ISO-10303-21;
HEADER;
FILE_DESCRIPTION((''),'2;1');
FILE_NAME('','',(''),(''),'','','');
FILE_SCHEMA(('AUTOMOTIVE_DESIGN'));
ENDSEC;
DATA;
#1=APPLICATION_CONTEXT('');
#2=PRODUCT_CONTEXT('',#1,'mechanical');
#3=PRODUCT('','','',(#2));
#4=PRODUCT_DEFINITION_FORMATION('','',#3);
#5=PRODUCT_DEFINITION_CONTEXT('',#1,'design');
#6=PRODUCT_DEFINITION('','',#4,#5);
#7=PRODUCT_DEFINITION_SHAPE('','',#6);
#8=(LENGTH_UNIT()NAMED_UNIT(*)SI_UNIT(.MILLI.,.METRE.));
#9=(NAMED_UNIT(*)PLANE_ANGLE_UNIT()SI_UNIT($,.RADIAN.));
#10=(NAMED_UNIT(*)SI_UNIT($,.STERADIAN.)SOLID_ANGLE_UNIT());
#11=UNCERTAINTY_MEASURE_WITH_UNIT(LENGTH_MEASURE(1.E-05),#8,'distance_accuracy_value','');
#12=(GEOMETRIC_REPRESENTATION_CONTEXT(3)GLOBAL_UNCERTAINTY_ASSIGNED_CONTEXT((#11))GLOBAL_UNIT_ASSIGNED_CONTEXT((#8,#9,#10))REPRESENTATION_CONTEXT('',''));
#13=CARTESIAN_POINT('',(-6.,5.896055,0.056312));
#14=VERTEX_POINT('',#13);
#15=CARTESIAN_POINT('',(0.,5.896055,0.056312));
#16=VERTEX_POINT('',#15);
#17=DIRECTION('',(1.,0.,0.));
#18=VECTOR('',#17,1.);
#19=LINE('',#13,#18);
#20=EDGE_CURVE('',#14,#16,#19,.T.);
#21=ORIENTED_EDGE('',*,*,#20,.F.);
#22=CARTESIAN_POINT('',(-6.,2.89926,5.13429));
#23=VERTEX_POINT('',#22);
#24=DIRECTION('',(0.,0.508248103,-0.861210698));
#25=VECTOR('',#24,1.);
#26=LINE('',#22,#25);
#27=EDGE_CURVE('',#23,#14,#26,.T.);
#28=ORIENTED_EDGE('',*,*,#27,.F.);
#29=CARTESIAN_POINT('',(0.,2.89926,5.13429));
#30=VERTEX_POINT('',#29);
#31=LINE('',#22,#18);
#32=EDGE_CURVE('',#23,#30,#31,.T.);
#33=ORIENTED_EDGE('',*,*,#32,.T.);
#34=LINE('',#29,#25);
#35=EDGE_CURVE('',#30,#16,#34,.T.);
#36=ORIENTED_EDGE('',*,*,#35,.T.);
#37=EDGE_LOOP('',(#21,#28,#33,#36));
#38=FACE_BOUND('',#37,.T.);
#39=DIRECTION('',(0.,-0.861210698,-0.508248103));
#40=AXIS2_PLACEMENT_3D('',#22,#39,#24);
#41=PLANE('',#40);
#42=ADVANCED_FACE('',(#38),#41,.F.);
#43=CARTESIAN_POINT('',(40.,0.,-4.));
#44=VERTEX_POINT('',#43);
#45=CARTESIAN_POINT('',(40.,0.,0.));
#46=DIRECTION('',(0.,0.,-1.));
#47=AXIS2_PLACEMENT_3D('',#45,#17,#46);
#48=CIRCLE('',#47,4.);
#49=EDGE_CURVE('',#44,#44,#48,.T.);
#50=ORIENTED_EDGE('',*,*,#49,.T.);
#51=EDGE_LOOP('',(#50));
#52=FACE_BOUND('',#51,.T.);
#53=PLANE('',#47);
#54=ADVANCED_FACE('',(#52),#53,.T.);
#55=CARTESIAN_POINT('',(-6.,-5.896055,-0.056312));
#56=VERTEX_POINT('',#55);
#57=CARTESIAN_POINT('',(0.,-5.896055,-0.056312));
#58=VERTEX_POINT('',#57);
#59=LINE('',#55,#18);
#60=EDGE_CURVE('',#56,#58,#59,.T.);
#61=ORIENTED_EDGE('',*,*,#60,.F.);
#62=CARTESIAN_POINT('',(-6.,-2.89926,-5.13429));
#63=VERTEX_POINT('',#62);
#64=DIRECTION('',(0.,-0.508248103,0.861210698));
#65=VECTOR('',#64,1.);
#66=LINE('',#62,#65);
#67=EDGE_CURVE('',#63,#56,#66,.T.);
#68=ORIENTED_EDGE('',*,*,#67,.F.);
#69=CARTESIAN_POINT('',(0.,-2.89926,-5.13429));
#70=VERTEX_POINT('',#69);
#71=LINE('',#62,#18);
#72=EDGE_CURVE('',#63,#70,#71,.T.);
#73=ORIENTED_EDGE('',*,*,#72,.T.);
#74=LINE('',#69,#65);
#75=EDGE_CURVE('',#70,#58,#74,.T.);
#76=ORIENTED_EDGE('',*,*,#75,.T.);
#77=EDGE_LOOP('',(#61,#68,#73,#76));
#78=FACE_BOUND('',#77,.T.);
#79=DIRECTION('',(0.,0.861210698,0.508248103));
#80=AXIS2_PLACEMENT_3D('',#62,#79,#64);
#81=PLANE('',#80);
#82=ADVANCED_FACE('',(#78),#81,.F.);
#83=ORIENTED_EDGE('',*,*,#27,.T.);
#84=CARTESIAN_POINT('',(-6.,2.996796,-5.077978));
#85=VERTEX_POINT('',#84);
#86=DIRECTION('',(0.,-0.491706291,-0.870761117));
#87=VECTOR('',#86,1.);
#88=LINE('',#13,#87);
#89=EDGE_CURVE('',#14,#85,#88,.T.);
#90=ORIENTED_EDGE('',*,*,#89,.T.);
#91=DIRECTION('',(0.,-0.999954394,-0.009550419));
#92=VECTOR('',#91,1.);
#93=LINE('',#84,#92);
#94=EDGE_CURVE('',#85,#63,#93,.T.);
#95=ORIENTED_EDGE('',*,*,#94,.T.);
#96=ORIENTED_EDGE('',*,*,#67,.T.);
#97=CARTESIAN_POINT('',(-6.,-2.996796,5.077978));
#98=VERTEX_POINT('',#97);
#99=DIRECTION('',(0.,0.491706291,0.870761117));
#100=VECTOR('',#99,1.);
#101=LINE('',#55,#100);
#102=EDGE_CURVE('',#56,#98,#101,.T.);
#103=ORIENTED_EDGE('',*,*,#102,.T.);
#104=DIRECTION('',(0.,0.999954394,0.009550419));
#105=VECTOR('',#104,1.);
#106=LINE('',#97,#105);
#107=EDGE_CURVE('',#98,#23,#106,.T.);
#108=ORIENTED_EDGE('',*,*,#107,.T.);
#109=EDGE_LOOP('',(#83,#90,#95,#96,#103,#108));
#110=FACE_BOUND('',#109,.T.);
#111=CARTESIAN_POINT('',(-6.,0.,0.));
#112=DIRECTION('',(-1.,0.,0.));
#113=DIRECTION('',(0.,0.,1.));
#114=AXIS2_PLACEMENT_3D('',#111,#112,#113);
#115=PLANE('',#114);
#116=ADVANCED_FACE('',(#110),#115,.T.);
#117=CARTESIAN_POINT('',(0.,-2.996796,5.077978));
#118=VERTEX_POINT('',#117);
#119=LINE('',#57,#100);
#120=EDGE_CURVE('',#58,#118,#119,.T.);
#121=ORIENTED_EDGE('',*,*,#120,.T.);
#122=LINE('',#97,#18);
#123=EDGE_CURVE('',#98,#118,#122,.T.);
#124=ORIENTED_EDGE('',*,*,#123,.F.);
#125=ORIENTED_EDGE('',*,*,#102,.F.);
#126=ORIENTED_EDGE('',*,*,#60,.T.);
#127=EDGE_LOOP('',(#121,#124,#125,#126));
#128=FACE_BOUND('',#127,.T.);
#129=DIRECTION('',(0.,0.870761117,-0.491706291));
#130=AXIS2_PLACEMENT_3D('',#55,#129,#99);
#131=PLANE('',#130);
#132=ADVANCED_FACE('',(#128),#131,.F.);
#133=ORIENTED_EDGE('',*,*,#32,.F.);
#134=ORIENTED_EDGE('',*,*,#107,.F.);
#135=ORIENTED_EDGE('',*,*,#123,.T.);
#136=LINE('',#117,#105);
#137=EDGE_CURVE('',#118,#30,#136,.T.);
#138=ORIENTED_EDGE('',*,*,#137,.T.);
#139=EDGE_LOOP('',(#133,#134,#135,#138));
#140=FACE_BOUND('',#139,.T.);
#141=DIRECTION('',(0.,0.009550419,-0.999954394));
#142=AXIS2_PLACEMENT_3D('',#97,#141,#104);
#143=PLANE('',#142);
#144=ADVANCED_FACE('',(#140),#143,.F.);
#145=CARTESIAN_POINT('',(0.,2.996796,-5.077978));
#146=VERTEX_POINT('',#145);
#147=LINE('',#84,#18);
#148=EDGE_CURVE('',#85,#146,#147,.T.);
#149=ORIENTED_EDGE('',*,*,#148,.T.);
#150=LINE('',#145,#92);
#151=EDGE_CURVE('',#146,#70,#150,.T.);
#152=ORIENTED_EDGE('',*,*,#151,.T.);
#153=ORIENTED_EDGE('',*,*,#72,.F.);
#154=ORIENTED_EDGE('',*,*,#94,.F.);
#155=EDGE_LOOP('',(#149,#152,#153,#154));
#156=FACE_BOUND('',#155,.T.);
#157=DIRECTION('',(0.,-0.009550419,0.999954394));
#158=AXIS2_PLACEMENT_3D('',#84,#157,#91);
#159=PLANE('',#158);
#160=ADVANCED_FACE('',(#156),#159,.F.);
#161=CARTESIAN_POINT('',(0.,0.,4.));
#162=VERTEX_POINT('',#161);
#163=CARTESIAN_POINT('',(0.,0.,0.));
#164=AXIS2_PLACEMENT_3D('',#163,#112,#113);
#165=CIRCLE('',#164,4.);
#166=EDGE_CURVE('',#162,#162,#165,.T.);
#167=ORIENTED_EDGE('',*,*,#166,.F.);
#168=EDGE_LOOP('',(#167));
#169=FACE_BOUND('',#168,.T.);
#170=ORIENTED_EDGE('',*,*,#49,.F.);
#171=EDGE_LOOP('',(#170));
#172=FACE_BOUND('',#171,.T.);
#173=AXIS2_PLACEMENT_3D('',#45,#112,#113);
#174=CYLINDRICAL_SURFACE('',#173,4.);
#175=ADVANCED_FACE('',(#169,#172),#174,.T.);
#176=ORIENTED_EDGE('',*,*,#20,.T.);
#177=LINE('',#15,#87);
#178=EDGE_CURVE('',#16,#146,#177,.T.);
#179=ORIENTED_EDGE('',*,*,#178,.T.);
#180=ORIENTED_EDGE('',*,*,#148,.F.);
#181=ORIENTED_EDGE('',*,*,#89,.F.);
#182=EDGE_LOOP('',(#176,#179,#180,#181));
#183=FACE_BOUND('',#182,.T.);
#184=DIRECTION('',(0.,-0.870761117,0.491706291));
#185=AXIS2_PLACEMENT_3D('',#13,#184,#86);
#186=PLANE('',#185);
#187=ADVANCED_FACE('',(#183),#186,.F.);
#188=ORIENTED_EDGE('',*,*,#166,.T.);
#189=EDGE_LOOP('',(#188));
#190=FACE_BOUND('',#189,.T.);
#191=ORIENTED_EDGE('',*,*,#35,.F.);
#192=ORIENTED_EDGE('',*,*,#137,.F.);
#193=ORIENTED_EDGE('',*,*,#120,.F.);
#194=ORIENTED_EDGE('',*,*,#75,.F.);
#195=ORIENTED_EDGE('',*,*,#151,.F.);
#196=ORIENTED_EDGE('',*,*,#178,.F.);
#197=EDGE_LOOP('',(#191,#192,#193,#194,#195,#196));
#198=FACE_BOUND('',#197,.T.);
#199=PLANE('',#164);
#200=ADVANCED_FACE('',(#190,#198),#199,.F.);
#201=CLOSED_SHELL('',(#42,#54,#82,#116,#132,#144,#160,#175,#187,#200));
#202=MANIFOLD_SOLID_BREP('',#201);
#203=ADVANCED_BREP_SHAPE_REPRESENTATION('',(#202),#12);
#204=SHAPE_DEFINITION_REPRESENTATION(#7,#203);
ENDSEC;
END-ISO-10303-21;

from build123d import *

# Parameters (mm, degrees)
SKETCH_1_R      = 4
EXTRUDE_1_DEPTH = 40
EXTRUDE_2_DEPTH = 6


with BuildPart() as part:
    # Эскиз1 → Бобышка-Вытянуть1 (new body)
    with BuildSketch(Plane(origin=(0, 0, 0), x_dir=(0, 0, -1), z_dir=(1, 0, 0))):
        Circle(SKETCH_1_R)
    extrude(amount=EXTRUDE_1_DEPTH)

    # Эскиз2 → Бобышка-Вытянуть2 (add)
    with BuildSketch(Plane.ZY):
        Polygon((5.077977553, -2.996795631), (5.134289923, 2.899259745), (0.05631237, 5.896055377), (-5.077977553, 2.996795631), (-5.134289923, -2.899259745), (-0.05631237, -5.896055377), align=None)
    extrude(amount=EXTRUDE_2_DEPTH)


solid = part.part
